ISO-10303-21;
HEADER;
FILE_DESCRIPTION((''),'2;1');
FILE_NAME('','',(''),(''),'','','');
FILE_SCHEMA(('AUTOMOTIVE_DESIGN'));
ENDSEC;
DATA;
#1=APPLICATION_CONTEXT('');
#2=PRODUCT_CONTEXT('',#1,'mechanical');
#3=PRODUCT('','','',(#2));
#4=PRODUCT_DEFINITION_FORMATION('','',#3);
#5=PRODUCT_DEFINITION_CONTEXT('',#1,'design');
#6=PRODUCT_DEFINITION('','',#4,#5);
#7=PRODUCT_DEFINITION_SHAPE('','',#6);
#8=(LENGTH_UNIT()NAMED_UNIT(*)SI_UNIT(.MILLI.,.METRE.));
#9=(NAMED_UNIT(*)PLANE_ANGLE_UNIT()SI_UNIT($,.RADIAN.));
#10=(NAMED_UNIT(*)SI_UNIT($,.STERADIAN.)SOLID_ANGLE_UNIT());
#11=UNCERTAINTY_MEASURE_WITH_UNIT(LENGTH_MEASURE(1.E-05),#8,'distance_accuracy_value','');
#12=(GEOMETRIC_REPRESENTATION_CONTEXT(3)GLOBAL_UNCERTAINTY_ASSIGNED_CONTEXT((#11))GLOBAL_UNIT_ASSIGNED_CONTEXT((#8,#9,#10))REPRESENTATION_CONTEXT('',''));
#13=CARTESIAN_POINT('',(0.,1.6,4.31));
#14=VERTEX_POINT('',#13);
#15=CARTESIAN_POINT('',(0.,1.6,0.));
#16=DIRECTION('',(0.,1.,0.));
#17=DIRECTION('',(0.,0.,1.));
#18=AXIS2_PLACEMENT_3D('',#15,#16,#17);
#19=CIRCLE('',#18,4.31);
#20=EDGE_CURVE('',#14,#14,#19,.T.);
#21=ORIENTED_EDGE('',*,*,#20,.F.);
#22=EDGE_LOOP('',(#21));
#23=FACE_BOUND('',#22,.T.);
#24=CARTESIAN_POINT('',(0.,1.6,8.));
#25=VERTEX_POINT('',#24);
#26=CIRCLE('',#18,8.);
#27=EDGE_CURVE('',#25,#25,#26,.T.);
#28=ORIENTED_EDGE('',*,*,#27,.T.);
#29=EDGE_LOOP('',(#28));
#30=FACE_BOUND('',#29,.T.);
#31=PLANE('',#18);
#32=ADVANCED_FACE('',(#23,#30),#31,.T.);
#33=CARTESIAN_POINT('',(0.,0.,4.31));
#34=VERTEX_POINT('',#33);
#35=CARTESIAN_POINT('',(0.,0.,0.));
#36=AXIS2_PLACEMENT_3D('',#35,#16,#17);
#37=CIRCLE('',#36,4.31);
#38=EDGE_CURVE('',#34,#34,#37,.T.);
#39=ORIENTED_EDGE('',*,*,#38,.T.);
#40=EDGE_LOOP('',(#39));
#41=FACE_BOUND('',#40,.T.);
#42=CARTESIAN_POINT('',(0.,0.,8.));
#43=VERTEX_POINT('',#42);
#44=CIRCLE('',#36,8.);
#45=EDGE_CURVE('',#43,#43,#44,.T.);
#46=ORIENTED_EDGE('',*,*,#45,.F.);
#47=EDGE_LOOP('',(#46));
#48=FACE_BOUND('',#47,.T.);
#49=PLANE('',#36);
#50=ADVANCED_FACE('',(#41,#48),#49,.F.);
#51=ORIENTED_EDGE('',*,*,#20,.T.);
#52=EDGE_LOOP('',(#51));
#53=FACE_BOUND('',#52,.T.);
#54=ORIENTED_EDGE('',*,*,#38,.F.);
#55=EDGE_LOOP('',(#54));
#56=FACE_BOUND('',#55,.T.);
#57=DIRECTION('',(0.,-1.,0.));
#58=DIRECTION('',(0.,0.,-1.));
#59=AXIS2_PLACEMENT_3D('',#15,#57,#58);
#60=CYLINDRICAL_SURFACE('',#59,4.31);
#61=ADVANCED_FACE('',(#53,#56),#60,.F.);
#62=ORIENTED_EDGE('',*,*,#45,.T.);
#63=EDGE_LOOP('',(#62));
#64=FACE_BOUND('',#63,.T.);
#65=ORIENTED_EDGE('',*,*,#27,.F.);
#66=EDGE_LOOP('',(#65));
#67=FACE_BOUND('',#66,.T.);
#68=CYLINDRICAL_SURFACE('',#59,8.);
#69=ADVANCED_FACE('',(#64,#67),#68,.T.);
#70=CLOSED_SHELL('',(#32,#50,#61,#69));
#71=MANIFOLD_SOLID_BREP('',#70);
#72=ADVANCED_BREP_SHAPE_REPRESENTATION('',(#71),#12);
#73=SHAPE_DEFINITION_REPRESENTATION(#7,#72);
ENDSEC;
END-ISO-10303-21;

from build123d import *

# Parameters (mm, degrees)
SKETCH_1_R      = 8
SKETCH_1_R_2    = 4.31
EXTRUDE_1_DEPTH = 1.6


with BuildPart() as part:
    # Эскиз1 → Бобышка-Вытянуть1 (new body)
    with BuildSketch(Plane(origin=(0, 0, 0), x_dir=(1, 0, 0), z_dir=(0, 1, 0))):
        with Locations(Location((0, 0, 0), (0, 0, 270))):
            Circle(SKETCH_1_R)
        with Locations(Location((0, 0, 0), (0, 0, 270))):
            Circle(SKETCH_1_R_2, mode=Mode.SUBTRACT)
    extrude(amount=EXTRUDE_1_DEPTH)


solid = part.part
